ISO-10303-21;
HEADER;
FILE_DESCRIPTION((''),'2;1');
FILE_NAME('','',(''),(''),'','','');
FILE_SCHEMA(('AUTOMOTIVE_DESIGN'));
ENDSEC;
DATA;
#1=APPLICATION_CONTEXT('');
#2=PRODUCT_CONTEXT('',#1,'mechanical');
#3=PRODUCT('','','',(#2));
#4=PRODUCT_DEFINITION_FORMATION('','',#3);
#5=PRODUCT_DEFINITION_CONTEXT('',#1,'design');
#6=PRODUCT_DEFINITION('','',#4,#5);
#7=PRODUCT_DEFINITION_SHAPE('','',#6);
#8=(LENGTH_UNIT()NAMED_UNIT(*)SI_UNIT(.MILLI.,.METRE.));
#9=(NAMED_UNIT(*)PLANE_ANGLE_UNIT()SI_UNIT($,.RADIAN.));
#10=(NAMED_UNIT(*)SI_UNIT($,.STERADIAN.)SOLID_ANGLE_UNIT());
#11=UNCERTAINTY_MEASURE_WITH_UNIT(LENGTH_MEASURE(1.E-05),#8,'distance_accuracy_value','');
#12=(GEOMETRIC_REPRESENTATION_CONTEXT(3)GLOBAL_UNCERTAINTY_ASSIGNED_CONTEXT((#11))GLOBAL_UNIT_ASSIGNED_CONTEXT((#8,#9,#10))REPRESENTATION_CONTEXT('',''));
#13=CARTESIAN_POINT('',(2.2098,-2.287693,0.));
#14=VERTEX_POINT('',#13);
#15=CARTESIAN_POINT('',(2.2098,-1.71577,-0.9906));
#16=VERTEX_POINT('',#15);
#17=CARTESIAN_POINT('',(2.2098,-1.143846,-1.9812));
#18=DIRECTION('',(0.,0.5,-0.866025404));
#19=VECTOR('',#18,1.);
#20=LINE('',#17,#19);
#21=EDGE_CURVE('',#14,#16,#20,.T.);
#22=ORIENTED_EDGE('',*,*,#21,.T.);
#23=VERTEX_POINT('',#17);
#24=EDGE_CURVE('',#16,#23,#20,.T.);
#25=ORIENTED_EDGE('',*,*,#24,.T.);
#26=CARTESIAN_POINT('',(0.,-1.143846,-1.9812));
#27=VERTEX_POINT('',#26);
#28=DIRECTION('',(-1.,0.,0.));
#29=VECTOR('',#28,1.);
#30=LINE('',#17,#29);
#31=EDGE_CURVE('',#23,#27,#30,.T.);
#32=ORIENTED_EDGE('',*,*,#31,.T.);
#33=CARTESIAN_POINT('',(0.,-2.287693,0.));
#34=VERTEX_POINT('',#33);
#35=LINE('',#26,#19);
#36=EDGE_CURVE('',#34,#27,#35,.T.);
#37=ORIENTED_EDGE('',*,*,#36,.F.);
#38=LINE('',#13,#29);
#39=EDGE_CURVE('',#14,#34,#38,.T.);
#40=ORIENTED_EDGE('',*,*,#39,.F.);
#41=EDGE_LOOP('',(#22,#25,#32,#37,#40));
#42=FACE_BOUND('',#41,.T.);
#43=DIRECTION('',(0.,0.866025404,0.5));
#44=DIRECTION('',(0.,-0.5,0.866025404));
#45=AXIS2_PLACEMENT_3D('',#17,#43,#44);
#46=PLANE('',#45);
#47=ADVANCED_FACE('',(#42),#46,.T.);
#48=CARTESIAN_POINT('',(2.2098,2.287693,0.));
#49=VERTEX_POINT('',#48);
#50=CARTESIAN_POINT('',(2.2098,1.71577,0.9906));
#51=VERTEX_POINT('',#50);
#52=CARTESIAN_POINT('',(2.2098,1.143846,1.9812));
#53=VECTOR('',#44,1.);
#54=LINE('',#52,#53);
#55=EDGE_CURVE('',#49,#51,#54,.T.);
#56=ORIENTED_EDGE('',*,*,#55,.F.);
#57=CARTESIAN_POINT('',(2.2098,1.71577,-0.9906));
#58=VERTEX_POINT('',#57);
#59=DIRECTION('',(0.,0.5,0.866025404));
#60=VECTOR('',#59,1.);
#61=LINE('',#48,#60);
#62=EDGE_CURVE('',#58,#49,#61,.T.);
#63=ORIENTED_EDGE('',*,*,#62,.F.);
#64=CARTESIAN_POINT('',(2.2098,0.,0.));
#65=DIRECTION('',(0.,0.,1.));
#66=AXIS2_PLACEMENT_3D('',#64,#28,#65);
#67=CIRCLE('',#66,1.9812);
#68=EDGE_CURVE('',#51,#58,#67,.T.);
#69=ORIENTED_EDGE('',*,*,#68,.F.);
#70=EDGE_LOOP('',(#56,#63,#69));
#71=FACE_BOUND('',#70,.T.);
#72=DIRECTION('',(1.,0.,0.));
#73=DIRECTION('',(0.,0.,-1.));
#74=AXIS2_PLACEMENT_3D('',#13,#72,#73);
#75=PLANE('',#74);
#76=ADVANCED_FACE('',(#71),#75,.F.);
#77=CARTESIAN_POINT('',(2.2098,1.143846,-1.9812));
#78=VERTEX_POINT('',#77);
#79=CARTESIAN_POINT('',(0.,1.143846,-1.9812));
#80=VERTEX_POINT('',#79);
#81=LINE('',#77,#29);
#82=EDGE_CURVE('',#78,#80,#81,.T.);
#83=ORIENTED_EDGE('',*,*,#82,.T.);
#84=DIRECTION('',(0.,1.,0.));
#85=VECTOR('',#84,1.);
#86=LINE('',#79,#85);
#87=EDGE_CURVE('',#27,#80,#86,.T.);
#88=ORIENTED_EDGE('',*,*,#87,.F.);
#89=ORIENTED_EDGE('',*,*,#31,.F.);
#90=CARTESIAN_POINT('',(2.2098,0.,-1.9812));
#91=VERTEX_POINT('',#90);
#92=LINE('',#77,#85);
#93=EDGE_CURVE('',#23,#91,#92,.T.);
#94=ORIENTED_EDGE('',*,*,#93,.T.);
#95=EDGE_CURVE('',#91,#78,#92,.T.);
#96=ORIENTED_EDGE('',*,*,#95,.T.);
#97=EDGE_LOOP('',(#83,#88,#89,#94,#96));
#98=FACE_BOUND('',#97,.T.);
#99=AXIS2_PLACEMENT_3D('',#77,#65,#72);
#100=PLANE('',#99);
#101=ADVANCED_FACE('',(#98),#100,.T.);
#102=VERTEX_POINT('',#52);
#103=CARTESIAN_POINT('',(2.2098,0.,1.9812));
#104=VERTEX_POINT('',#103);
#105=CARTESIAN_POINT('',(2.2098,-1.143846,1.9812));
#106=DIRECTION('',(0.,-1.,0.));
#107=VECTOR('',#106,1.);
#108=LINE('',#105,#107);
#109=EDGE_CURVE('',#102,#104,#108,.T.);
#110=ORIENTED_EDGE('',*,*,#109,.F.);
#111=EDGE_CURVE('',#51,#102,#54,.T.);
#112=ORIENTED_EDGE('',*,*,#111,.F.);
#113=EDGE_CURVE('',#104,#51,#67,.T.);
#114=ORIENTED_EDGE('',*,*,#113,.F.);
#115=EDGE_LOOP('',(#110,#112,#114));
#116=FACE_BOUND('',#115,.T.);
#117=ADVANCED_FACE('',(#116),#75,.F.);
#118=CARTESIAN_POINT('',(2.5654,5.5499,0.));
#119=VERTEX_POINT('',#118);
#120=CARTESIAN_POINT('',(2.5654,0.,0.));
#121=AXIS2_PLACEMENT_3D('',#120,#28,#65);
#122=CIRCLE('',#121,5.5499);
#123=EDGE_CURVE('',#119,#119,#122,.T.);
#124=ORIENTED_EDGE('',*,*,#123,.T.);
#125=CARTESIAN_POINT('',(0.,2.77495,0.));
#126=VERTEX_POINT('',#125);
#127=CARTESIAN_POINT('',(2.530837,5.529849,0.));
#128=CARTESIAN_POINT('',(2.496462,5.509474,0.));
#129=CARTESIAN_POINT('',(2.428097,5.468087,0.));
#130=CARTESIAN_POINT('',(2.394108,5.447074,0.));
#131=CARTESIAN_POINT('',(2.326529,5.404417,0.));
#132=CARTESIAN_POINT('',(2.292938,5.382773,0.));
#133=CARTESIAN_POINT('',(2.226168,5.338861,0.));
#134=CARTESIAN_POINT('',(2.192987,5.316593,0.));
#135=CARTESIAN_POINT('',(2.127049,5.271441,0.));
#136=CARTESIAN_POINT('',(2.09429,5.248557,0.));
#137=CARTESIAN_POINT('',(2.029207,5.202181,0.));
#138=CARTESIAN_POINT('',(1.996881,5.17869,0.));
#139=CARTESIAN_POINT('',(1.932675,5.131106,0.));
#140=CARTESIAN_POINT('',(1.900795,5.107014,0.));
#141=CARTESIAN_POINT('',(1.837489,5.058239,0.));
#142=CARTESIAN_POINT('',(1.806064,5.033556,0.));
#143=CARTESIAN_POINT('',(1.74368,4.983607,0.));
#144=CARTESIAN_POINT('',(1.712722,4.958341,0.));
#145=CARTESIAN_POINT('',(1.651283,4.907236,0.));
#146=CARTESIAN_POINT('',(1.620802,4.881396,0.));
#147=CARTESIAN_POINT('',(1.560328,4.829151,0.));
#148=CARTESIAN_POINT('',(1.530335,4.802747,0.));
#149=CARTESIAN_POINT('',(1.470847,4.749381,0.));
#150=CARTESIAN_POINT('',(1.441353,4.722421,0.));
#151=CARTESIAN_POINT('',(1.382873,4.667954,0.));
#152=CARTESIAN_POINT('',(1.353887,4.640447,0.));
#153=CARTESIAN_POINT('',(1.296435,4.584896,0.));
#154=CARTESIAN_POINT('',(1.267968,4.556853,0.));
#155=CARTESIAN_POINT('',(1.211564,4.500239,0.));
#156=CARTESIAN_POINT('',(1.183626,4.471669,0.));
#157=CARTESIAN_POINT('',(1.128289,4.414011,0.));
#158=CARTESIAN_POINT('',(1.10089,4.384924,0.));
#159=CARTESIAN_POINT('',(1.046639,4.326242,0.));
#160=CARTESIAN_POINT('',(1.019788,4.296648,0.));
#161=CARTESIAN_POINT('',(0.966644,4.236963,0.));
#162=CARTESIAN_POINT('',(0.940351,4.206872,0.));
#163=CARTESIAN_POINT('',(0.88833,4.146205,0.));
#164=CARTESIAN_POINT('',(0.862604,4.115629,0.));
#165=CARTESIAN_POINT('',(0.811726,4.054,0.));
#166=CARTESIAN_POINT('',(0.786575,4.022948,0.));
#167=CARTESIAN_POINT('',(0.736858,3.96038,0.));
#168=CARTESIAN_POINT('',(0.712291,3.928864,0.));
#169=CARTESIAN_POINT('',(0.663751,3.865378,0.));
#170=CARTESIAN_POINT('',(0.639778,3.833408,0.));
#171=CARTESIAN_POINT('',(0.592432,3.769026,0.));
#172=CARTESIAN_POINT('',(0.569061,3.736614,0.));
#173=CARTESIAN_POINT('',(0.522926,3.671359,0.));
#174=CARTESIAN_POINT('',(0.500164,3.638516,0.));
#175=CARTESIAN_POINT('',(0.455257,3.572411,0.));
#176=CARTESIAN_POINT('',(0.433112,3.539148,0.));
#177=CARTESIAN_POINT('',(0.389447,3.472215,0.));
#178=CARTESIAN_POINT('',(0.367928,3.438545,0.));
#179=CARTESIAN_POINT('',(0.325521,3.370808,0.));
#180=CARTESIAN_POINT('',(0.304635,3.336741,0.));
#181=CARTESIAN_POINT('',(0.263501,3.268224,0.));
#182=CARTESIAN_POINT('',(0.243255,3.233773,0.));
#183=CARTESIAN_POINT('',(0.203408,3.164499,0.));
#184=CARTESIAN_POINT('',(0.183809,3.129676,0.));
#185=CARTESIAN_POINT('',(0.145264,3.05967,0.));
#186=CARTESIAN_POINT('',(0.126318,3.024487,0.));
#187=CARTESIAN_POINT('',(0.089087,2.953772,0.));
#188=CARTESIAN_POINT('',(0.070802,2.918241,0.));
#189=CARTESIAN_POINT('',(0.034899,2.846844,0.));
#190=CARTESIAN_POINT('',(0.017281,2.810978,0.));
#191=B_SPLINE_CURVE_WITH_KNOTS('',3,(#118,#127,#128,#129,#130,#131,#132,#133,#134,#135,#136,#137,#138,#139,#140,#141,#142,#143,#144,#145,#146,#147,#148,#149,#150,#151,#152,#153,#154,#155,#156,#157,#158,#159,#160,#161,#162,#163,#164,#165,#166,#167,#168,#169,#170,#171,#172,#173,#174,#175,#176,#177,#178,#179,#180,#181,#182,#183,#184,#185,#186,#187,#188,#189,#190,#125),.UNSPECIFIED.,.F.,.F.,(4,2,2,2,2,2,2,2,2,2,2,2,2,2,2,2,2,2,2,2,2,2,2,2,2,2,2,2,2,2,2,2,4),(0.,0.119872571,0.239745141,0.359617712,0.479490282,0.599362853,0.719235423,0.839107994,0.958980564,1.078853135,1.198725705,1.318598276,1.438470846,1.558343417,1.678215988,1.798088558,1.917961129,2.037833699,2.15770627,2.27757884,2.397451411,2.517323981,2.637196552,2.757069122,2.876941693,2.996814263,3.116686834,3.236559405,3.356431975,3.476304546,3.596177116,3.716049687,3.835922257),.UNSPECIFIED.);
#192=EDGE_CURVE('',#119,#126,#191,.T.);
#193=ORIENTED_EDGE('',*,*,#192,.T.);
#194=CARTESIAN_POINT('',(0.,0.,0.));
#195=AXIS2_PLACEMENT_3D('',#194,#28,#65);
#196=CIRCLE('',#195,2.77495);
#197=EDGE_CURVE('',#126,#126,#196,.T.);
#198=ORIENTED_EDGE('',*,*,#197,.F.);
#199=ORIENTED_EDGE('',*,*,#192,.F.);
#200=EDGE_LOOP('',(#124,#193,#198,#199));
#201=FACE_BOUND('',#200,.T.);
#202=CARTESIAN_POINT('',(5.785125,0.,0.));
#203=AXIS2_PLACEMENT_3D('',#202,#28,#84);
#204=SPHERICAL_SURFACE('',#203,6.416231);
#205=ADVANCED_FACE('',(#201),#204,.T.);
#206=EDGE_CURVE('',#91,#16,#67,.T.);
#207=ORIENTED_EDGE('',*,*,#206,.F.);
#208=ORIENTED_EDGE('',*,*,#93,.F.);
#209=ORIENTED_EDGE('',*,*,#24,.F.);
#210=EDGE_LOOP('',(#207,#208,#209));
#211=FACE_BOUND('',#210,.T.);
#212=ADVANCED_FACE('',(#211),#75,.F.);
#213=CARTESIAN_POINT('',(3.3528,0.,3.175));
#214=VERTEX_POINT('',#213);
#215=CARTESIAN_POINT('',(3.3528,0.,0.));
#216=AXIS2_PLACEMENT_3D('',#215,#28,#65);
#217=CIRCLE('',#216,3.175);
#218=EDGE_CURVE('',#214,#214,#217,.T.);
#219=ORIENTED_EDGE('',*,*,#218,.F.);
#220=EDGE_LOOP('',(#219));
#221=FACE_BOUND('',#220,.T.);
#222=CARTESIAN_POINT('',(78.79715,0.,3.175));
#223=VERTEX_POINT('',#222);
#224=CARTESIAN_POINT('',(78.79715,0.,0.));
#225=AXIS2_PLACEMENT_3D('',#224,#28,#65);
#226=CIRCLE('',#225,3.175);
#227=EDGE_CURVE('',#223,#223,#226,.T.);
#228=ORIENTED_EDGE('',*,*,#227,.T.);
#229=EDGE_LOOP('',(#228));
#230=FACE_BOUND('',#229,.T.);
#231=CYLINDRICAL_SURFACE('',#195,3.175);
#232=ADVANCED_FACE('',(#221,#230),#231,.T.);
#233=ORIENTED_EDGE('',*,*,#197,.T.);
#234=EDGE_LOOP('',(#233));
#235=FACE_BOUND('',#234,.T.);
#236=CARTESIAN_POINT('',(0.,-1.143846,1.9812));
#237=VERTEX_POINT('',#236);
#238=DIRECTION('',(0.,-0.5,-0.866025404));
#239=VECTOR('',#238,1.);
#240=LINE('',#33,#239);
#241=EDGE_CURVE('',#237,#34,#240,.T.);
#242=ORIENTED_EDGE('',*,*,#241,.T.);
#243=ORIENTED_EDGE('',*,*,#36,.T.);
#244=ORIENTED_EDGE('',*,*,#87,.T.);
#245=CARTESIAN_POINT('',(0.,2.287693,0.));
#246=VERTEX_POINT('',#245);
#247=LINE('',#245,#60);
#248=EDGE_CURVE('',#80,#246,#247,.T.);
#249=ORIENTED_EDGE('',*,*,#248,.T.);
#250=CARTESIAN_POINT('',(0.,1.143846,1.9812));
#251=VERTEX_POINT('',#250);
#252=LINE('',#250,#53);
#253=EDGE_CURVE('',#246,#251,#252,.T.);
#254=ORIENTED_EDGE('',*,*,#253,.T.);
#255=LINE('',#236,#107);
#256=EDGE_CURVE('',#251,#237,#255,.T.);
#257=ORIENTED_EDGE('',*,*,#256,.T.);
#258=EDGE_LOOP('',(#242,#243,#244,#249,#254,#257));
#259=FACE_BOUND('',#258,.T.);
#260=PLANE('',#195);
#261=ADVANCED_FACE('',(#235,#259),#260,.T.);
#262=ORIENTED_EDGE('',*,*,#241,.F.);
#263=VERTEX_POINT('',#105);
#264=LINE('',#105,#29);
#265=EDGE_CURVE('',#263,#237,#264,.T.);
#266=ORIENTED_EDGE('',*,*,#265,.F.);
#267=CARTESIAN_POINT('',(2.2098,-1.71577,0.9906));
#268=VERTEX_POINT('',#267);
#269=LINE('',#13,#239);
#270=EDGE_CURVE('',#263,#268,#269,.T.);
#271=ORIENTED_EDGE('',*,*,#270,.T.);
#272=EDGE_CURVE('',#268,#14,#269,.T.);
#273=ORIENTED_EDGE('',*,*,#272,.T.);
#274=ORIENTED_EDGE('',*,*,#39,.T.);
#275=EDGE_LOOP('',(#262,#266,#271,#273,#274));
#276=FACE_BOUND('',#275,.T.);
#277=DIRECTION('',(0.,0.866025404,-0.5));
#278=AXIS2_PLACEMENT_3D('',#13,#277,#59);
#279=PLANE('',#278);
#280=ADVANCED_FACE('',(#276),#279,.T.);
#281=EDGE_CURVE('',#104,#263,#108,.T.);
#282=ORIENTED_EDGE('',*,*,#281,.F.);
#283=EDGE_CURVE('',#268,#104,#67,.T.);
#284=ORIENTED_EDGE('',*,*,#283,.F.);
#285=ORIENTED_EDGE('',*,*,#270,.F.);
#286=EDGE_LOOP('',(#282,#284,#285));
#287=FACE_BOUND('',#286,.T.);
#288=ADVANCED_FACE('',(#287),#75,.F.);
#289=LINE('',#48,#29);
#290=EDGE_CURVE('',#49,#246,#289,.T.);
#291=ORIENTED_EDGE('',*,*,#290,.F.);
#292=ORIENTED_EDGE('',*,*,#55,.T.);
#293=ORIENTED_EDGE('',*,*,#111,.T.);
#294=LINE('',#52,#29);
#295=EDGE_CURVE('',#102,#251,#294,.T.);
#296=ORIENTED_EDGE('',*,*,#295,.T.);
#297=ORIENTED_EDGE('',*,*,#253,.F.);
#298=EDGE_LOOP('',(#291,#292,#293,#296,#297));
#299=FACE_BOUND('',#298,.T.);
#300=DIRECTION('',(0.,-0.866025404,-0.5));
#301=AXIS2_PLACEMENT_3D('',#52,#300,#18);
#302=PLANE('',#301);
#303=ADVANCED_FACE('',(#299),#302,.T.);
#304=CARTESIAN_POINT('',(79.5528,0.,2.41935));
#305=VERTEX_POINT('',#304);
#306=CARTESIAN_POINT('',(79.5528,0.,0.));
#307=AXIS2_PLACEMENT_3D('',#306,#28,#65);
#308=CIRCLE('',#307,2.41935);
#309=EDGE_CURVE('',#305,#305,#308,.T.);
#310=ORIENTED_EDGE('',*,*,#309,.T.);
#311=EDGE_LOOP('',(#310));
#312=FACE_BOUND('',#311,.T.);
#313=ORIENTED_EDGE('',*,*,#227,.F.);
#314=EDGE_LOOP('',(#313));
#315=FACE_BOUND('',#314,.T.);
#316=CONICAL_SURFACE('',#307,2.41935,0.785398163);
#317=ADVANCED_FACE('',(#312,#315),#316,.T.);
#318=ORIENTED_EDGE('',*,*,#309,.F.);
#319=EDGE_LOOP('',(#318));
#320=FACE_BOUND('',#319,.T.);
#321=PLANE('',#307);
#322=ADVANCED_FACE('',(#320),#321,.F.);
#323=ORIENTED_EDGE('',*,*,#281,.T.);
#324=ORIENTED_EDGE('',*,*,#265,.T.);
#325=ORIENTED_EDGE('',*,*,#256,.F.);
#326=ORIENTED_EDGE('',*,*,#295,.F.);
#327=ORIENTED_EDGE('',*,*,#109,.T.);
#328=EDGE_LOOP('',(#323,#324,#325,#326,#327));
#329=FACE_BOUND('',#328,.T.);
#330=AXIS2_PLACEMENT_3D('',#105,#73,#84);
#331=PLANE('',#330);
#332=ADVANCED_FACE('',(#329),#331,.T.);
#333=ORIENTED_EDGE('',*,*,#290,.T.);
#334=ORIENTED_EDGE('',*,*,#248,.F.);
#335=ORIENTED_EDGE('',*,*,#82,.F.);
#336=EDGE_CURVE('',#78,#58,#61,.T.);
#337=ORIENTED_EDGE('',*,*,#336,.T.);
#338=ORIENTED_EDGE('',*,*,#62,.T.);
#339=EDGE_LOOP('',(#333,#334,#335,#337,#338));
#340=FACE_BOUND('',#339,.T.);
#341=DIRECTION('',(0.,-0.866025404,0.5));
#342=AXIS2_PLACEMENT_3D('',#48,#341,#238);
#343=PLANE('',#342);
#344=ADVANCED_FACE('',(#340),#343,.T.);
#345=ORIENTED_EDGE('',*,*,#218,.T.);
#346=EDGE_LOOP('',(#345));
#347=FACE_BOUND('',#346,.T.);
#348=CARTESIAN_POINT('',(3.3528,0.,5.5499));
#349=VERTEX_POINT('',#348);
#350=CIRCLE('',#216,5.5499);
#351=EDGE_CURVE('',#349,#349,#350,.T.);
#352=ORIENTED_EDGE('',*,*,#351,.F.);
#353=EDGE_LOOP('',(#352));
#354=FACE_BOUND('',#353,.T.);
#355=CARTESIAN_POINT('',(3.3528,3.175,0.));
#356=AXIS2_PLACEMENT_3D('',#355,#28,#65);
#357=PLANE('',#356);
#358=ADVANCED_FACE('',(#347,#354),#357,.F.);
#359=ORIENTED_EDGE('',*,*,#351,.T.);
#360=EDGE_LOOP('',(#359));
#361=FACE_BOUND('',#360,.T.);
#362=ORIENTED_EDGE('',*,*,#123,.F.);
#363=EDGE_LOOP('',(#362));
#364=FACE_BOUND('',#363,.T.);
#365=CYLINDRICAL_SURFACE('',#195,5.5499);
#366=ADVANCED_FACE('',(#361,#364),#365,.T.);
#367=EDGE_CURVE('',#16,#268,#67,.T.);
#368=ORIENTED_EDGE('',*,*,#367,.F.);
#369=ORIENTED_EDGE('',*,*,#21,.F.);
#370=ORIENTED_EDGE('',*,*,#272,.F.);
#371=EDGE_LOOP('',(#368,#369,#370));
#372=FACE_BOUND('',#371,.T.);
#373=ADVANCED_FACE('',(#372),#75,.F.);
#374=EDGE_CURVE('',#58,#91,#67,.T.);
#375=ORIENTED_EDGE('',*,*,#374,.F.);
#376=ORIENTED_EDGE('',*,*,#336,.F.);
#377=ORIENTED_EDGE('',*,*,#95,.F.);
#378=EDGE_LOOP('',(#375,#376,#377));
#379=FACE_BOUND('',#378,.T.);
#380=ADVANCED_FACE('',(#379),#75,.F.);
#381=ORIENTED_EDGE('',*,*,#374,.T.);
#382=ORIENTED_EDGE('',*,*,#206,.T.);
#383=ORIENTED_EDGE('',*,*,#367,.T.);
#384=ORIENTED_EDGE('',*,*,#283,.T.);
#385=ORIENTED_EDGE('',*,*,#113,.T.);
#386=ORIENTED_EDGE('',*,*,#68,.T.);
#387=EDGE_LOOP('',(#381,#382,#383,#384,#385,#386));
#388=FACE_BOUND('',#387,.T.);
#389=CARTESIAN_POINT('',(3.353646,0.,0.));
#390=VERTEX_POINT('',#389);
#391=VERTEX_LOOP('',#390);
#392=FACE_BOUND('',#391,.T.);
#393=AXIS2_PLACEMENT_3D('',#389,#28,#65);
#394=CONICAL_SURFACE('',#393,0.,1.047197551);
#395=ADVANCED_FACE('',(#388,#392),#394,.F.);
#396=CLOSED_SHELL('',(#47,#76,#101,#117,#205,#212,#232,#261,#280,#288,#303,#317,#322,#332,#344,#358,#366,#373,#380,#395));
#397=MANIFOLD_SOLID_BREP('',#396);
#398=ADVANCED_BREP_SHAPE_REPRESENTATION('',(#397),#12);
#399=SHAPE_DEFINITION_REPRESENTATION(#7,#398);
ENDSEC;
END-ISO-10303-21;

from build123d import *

# Parameters (mm, degrees)
HEX_2_DEPTH = 2.2098


with BuildPart() as part:
    # BodySke → BaseBody (revolve)
    with BuildSketch(Plane.XY, mode=Mode.PRIVATE) as basebody_sk:
        with BuildLine():
            Line((79.5528, 0), (79.5528, 2.41935))
            Line((79.5528, 2.41935), (78.79715, 3.175))
            Line((78.79715, 3.175), (3.3528, 3.175))
            Line((3.3528, 3.175), (3.3528, 5.5499))
            Line((3.3528, 5.5499), (2.5654, 5.5499))
            ThreePointArc((2.5654, 5.5499), (1.073764503, 4.355582759), (0, 2.77495))
            Line((0, 2.77495), (0, 0))
            Line((0, 0), (79.5528, 0))
        make_face()
    revolve(basebody_sk.sketch.rotate(Axis((0, 0, 0), (1, 0, 0)), 90), axis=Axis((0, 0, 0), (1, 0, 0)))

    # Sketch2 → PreBroach (revolve, cut)
    with BuildSketch(Plane.XY, mode=Mode.PRIVATE) as prebroach_sk:
        Polygon((0, 1.9812), (2.2098, 1.9812), (3.353646353, 0), (0, 0), align=None)
    revolve(prebroach_sk.sketch.rotate(Axis((0, 0, 0), (1, 0, 0)), 90), axis=Axis((0, 0, 0), (1, 0, 0)), mode=Mode.SUBTRACT)

    # Sketch3 → Hex 2 (cut)
    with BuildSketch(Plane(origin=(0, 0, 0), x_dir=(0, 0, -1), z_dir=(1, 0, 0))):
        Polygon((-1.9812, -1.143846353), (-1.9812, 1.143846353), (0, 2.287692707), (1.9812, 1.143846353), (1.9812, -1.143846353), (0, -2.287692707), align=None)
    extrude(amount=HEX_2_DEPTH, mode=Mode.SUBTRACT)


solid = part.part
